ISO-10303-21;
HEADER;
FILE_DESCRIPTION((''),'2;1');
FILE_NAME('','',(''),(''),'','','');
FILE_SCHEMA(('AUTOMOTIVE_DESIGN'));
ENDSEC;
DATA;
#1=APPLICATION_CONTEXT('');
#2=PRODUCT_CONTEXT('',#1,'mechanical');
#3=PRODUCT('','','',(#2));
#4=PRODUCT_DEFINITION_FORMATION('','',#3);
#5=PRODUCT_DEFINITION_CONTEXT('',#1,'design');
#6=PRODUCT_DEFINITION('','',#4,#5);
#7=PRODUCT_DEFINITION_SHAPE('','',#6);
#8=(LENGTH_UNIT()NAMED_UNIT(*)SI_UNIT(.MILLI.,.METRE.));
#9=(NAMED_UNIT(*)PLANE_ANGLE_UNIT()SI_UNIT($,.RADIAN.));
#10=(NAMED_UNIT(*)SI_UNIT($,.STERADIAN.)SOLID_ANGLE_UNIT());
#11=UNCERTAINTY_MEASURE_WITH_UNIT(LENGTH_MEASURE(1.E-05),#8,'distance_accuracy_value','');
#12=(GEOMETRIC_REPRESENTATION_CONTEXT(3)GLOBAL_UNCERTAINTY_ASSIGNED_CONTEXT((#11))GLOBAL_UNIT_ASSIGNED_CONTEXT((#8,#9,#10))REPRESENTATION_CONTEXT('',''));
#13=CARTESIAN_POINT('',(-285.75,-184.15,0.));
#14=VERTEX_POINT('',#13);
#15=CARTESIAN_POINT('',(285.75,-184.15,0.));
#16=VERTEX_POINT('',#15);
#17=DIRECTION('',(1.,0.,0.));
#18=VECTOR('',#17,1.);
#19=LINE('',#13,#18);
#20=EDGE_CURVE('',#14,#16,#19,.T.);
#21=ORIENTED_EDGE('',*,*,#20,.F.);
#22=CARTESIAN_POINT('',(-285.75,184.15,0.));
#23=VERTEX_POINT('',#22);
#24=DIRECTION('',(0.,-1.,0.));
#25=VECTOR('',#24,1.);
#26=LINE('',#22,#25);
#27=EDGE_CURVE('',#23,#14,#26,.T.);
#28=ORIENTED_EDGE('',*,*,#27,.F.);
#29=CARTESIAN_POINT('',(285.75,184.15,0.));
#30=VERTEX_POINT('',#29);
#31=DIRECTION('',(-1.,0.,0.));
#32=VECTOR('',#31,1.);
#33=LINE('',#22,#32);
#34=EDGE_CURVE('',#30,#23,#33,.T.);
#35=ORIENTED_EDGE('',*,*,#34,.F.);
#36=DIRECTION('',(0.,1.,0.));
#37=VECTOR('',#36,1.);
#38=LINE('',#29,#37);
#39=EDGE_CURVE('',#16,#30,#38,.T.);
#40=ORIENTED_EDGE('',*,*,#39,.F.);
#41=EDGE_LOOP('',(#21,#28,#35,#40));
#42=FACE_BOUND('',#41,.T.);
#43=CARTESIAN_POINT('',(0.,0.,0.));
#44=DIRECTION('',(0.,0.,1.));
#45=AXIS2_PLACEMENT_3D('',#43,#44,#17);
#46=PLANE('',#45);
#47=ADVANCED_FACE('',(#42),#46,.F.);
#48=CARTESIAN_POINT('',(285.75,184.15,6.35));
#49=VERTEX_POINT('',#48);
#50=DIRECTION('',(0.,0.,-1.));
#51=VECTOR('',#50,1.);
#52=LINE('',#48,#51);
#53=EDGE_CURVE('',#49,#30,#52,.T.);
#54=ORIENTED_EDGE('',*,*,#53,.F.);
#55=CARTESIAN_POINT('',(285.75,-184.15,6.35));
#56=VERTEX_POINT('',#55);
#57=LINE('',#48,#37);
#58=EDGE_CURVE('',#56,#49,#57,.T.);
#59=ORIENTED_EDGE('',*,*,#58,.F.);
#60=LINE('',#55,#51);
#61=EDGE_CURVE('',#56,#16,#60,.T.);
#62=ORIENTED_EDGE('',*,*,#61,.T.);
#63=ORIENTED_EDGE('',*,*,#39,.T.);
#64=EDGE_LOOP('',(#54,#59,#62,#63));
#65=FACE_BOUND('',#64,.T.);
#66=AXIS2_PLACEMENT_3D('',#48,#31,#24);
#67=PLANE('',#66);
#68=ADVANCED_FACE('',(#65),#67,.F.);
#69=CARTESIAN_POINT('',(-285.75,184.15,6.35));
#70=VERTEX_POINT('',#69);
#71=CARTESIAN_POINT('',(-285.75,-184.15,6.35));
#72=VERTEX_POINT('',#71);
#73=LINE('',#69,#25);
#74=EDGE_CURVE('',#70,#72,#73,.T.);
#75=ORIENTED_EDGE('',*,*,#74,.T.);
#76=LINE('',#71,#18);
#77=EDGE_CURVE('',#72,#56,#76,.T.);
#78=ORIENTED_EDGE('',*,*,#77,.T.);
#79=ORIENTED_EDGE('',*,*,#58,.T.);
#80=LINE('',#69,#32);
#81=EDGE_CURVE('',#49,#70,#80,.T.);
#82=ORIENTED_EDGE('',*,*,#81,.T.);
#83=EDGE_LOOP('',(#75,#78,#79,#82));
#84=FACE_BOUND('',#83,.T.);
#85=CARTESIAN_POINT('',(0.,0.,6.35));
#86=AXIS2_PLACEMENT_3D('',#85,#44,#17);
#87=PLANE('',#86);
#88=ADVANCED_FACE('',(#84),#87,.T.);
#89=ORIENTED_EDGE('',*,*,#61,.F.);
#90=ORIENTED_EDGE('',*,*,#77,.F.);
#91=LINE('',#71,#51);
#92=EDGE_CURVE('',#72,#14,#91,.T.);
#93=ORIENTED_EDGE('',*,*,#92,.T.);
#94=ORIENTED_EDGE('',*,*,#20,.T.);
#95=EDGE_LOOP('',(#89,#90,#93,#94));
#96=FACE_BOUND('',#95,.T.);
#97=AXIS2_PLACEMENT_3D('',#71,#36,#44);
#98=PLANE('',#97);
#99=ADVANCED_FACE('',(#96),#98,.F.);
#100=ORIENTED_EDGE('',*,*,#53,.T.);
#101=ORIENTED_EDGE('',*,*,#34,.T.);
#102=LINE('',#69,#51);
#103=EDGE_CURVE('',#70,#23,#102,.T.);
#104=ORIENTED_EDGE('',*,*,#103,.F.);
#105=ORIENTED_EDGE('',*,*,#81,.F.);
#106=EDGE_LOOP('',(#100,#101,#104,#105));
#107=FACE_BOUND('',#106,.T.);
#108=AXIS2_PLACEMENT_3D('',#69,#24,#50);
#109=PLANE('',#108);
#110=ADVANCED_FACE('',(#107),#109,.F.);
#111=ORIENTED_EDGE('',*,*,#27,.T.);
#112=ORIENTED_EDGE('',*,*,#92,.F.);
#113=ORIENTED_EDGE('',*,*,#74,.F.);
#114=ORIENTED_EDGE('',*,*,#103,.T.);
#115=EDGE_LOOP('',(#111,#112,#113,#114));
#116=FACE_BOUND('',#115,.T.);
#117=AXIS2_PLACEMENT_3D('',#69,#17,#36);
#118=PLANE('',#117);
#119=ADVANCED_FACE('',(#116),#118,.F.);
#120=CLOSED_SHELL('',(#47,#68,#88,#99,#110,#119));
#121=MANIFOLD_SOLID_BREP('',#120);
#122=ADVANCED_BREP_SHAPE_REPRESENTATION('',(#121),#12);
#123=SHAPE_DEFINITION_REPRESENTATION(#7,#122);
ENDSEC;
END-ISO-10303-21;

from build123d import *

# Parameters (mm, degrees)
SKETCH1_W           = 571.5
SKETCH1_H           = 368.3
BOSS_EXTRUDE1_DEPTH = 6.35


with BuildPart() as part:
    # Sketch1 → Boss-Extrude1 (new body)
    with BuildSketch(Plane.XY):
        Rectangle(SKETCH1_W, SKETCH1_H)
    extrude(amount=BOSS_EXTRUDE1_DEPTH)


solid = part.part
